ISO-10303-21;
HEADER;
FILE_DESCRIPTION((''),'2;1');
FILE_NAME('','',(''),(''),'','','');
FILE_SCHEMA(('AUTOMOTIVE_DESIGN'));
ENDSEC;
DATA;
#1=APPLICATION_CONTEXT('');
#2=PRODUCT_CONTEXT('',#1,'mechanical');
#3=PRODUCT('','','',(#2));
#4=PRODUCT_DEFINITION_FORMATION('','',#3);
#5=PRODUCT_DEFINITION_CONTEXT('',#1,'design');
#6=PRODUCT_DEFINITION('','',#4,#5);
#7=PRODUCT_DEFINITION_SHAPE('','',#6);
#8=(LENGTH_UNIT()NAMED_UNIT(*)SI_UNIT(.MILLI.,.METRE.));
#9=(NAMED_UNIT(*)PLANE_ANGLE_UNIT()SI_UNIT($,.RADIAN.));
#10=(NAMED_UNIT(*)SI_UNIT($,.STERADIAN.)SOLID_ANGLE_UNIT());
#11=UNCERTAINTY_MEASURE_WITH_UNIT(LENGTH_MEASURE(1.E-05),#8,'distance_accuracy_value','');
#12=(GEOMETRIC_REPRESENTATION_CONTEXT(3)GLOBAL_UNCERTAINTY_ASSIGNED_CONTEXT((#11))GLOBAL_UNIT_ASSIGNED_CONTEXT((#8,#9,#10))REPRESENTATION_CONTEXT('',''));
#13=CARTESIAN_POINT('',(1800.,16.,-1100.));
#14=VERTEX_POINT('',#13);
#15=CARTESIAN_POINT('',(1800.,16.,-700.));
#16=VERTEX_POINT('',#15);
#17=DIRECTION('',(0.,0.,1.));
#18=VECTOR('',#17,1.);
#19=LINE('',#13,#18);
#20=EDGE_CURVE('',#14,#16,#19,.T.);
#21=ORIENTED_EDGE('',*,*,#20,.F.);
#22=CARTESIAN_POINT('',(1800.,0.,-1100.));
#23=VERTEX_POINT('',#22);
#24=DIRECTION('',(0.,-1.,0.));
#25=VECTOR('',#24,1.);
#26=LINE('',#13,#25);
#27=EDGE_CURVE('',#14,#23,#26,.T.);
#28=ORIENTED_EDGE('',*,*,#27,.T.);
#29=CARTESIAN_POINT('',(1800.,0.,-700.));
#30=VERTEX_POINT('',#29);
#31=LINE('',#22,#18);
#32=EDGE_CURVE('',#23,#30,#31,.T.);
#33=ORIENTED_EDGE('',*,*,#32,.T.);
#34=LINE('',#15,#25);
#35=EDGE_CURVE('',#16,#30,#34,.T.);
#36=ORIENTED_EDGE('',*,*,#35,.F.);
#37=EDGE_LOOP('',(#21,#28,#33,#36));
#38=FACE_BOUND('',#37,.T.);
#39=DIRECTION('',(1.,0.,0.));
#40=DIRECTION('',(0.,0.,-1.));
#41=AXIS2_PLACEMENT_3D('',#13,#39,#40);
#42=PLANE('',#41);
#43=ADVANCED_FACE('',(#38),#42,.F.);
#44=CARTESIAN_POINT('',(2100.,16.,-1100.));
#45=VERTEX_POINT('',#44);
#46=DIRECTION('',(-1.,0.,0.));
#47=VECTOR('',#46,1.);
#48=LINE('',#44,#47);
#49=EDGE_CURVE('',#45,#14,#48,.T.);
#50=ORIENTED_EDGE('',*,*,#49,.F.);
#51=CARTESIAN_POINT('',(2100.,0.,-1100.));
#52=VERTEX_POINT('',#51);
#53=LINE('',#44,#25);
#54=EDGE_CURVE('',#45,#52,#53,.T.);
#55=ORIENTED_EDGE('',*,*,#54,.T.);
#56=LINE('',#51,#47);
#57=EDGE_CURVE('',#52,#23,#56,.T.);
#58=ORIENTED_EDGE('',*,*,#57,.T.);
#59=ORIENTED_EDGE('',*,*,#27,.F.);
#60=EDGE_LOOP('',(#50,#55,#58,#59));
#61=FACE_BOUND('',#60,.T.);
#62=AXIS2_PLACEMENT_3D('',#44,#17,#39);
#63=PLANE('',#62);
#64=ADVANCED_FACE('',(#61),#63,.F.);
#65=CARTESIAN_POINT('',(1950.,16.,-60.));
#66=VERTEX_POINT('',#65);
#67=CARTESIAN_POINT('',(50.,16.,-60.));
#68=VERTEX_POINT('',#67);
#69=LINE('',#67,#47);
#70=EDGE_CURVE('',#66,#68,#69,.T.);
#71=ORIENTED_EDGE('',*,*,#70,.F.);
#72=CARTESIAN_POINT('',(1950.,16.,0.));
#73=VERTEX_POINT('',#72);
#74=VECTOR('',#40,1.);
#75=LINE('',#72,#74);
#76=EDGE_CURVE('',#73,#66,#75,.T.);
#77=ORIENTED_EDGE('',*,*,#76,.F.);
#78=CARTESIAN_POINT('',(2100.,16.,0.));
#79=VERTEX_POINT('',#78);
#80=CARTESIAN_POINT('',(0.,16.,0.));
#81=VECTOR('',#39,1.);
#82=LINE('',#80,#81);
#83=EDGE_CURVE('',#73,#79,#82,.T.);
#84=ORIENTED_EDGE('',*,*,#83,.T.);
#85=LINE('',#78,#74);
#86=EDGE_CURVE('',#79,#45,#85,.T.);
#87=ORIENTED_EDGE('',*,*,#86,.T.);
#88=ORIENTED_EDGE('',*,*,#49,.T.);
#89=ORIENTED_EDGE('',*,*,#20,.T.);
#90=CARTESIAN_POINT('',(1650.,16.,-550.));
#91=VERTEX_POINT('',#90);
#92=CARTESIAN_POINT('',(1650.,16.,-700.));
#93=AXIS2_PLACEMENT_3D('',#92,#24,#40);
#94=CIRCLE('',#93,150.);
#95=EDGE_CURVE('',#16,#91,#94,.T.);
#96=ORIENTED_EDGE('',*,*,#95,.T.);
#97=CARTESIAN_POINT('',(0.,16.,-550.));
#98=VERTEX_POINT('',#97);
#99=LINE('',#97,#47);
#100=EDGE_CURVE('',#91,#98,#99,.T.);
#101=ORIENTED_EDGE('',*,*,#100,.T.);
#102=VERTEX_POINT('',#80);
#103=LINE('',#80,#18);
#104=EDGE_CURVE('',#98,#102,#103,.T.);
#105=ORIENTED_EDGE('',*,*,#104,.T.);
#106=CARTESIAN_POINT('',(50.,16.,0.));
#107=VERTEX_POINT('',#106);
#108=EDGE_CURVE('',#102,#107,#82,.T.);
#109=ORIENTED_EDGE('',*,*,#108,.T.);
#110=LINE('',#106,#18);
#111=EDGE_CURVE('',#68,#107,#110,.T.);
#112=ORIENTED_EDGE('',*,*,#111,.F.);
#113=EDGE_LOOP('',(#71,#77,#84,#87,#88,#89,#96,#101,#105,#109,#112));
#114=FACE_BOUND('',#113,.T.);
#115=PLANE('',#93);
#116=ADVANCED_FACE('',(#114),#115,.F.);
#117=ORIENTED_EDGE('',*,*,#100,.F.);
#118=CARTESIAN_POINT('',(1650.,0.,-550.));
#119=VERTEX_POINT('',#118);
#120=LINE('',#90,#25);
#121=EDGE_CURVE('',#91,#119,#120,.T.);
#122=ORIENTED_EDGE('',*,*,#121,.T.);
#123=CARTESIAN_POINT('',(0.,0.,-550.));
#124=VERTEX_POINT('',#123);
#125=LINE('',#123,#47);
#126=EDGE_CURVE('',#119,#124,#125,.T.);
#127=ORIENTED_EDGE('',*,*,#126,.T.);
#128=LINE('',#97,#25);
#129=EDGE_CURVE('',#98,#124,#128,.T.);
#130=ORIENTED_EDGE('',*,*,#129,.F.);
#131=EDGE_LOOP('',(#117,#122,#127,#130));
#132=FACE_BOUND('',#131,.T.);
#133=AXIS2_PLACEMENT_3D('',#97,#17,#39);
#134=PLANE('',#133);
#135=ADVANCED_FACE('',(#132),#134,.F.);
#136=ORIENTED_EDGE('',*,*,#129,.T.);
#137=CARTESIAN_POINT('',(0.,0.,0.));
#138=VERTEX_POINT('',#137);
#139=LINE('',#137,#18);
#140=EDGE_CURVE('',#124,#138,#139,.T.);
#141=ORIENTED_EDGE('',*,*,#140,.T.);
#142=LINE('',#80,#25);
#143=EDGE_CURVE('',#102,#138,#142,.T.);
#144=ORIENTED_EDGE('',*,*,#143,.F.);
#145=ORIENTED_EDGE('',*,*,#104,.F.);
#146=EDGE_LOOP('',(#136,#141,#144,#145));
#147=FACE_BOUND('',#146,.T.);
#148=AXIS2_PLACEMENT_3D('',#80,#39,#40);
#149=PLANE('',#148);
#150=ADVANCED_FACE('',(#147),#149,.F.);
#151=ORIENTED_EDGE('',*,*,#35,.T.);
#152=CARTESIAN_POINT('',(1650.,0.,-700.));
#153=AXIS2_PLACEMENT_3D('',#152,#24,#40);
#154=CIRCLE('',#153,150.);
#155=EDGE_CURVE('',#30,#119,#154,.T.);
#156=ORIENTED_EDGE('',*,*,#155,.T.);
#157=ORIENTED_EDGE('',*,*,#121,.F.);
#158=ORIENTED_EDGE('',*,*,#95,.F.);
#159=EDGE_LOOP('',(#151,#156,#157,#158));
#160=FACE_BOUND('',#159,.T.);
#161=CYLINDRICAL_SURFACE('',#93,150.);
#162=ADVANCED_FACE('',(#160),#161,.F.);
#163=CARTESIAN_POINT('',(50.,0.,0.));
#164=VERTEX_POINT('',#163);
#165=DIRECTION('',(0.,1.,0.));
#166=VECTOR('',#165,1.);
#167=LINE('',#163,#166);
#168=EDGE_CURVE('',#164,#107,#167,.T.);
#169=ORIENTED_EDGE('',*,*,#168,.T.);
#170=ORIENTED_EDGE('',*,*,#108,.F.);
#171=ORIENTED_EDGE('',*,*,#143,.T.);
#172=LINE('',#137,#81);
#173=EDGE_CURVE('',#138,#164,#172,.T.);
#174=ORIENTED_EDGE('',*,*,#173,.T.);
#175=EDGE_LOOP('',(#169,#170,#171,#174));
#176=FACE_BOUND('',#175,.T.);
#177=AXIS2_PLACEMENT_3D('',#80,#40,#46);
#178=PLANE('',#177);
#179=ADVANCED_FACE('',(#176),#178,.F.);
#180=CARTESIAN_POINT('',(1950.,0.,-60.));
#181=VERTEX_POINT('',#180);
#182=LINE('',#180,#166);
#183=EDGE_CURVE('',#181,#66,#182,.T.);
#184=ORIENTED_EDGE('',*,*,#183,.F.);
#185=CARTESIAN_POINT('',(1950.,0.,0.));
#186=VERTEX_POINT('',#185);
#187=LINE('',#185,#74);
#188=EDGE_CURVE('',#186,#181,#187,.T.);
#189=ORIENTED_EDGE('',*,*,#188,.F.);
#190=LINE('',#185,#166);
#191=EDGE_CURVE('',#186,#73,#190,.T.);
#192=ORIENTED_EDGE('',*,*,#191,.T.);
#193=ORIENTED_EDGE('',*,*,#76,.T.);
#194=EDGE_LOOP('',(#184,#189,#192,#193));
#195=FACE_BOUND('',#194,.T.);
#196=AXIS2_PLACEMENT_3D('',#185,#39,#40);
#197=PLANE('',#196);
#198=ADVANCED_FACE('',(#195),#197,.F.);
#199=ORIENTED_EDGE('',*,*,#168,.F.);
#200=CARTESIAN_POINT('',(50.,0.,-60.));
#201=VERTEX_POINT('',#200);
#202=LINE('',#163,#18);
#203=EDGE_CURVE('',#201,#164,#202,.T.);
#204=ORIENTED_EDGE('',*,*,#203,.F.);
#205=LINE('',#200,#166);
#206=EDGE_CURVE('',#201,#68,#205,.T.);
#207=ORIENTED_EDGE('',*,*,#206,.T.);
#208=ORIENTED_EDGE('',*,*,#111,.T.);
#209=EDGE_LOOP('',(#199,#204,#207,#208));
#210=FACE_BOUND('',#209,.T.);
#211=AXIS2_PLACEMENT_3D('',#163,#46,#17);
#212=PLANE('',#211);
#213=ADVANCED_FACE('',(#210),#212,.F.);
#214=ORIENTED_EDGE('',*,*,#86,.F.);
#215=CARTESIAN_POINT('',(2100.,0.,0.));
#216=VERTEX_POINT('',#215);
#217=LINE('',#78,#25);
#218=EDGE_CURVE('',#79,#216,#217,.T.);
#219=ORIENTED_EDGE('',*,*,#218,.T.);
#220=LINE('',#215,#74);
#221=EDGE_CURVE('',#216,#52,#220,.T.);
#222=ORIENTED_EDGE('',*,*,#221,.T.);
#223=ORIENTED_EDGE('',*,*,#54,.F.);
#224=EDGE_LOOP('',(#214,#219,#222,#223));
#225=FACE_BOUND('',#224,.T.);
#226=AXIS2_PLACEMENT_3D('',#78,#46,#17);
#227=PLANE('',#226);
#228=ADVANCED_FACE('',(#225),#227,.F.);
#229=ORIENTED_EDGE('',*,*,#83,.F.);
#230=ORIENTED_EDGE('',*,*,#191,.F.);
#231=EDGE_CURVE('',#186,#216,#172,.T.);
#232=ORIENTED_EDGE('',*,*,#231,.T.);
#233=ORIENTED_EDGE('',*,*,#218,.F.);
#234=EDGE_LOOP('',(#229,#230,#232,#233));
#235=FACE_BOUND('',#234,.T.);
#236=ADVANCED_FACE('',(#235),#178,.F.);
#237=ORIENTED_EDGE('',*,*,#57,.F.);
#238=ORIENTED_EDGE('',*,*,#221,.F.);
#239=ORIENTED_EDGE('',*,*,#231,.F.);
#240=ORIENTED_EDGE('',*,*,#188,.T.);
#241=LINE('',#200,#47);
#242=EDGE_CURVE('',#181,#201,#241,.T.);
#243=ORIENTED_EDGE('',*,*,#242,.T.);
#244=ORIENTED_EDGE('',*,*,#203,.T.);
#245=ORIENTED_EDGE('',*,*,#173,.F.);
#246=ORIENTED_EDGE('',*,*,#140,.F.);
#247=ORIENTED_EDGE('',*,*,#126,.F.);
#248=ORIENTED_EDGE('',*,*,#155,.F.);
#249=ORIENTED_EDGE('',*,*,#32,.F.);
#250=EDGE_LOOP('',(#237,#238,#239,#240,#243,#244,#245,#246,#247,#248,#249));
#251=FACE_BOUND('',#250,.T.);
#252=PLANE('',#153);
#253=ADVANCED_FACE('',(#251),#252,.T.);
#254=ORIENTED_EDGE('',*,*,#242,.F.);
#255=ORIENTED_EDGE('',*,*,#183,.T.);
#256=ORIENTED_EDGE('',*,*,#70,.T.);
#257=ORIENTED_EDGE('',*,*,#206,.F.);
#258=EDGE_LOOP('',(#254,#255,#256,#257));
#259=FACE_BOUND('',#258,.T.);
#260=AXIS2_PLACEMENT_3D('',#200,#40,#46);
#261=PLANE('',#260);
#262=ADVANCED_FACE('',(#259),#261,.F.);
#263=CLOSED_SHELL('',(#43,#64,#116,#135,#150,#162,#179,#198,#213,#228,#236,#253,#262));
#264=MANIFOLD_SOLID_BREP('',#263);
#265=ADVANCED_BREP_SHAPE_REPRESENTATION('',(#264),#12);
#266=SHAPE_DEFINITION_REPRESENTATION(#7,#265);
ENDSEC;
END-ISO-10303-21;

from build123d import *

# Parameters (mm, degrees)
AUFSATZ_LINEAR_AUSTRAGEN1_DEPTH = 16
SKIZZE2_W                       = 1900
SKIZZE2_H                       = 60
SCHNITT_LINEAR_AUSTRAGEN1_DEPTH = 2371.707911152


with BuildPart() as part:
    # Skizze1 → Aufsatz-Linear austragen1 (new body)
    with BuildSketch(Plane(origin=(0, 0, 0), x_dir=(1, 0, 0), z_dir=(0, 1, 0))):
        with BuildLine():
            Line((2100, 0), (2100, 1100))
            Line((2100, 1100), (1800, 1100))
            Line((1800, 1100), (1800, 700))
            ThreePointArc((1800, 700), (1756.066017178, 593.933982822), (1650, 550))
            Line((1650, 550), (0, 550))
            Line((0, 550), (0, 0))
            Line((0, 0), (2100, 0))
        make_face()
    extrude(amount=AUFSATZ_LINEAR_AUSTRAGEN1_DEPTH)

    # Skizze2 → Schnitt-Linear austragen1 (cut, through all)
    with BuildSketch(Plane(origin=(0, 16, 0), x_dir=(1, 0, 0), z_dir=(0, 1, 0))):
        with Locations((1000, 30)):
            Rectangle(SKIZZE2_W, SKIZZE2_H)
    extrude(amount=-SCHNITT_LINEAR_AUSTRAGEN1_DEPTH, mode=Mode.SUBTRACT)


solid = part.part
